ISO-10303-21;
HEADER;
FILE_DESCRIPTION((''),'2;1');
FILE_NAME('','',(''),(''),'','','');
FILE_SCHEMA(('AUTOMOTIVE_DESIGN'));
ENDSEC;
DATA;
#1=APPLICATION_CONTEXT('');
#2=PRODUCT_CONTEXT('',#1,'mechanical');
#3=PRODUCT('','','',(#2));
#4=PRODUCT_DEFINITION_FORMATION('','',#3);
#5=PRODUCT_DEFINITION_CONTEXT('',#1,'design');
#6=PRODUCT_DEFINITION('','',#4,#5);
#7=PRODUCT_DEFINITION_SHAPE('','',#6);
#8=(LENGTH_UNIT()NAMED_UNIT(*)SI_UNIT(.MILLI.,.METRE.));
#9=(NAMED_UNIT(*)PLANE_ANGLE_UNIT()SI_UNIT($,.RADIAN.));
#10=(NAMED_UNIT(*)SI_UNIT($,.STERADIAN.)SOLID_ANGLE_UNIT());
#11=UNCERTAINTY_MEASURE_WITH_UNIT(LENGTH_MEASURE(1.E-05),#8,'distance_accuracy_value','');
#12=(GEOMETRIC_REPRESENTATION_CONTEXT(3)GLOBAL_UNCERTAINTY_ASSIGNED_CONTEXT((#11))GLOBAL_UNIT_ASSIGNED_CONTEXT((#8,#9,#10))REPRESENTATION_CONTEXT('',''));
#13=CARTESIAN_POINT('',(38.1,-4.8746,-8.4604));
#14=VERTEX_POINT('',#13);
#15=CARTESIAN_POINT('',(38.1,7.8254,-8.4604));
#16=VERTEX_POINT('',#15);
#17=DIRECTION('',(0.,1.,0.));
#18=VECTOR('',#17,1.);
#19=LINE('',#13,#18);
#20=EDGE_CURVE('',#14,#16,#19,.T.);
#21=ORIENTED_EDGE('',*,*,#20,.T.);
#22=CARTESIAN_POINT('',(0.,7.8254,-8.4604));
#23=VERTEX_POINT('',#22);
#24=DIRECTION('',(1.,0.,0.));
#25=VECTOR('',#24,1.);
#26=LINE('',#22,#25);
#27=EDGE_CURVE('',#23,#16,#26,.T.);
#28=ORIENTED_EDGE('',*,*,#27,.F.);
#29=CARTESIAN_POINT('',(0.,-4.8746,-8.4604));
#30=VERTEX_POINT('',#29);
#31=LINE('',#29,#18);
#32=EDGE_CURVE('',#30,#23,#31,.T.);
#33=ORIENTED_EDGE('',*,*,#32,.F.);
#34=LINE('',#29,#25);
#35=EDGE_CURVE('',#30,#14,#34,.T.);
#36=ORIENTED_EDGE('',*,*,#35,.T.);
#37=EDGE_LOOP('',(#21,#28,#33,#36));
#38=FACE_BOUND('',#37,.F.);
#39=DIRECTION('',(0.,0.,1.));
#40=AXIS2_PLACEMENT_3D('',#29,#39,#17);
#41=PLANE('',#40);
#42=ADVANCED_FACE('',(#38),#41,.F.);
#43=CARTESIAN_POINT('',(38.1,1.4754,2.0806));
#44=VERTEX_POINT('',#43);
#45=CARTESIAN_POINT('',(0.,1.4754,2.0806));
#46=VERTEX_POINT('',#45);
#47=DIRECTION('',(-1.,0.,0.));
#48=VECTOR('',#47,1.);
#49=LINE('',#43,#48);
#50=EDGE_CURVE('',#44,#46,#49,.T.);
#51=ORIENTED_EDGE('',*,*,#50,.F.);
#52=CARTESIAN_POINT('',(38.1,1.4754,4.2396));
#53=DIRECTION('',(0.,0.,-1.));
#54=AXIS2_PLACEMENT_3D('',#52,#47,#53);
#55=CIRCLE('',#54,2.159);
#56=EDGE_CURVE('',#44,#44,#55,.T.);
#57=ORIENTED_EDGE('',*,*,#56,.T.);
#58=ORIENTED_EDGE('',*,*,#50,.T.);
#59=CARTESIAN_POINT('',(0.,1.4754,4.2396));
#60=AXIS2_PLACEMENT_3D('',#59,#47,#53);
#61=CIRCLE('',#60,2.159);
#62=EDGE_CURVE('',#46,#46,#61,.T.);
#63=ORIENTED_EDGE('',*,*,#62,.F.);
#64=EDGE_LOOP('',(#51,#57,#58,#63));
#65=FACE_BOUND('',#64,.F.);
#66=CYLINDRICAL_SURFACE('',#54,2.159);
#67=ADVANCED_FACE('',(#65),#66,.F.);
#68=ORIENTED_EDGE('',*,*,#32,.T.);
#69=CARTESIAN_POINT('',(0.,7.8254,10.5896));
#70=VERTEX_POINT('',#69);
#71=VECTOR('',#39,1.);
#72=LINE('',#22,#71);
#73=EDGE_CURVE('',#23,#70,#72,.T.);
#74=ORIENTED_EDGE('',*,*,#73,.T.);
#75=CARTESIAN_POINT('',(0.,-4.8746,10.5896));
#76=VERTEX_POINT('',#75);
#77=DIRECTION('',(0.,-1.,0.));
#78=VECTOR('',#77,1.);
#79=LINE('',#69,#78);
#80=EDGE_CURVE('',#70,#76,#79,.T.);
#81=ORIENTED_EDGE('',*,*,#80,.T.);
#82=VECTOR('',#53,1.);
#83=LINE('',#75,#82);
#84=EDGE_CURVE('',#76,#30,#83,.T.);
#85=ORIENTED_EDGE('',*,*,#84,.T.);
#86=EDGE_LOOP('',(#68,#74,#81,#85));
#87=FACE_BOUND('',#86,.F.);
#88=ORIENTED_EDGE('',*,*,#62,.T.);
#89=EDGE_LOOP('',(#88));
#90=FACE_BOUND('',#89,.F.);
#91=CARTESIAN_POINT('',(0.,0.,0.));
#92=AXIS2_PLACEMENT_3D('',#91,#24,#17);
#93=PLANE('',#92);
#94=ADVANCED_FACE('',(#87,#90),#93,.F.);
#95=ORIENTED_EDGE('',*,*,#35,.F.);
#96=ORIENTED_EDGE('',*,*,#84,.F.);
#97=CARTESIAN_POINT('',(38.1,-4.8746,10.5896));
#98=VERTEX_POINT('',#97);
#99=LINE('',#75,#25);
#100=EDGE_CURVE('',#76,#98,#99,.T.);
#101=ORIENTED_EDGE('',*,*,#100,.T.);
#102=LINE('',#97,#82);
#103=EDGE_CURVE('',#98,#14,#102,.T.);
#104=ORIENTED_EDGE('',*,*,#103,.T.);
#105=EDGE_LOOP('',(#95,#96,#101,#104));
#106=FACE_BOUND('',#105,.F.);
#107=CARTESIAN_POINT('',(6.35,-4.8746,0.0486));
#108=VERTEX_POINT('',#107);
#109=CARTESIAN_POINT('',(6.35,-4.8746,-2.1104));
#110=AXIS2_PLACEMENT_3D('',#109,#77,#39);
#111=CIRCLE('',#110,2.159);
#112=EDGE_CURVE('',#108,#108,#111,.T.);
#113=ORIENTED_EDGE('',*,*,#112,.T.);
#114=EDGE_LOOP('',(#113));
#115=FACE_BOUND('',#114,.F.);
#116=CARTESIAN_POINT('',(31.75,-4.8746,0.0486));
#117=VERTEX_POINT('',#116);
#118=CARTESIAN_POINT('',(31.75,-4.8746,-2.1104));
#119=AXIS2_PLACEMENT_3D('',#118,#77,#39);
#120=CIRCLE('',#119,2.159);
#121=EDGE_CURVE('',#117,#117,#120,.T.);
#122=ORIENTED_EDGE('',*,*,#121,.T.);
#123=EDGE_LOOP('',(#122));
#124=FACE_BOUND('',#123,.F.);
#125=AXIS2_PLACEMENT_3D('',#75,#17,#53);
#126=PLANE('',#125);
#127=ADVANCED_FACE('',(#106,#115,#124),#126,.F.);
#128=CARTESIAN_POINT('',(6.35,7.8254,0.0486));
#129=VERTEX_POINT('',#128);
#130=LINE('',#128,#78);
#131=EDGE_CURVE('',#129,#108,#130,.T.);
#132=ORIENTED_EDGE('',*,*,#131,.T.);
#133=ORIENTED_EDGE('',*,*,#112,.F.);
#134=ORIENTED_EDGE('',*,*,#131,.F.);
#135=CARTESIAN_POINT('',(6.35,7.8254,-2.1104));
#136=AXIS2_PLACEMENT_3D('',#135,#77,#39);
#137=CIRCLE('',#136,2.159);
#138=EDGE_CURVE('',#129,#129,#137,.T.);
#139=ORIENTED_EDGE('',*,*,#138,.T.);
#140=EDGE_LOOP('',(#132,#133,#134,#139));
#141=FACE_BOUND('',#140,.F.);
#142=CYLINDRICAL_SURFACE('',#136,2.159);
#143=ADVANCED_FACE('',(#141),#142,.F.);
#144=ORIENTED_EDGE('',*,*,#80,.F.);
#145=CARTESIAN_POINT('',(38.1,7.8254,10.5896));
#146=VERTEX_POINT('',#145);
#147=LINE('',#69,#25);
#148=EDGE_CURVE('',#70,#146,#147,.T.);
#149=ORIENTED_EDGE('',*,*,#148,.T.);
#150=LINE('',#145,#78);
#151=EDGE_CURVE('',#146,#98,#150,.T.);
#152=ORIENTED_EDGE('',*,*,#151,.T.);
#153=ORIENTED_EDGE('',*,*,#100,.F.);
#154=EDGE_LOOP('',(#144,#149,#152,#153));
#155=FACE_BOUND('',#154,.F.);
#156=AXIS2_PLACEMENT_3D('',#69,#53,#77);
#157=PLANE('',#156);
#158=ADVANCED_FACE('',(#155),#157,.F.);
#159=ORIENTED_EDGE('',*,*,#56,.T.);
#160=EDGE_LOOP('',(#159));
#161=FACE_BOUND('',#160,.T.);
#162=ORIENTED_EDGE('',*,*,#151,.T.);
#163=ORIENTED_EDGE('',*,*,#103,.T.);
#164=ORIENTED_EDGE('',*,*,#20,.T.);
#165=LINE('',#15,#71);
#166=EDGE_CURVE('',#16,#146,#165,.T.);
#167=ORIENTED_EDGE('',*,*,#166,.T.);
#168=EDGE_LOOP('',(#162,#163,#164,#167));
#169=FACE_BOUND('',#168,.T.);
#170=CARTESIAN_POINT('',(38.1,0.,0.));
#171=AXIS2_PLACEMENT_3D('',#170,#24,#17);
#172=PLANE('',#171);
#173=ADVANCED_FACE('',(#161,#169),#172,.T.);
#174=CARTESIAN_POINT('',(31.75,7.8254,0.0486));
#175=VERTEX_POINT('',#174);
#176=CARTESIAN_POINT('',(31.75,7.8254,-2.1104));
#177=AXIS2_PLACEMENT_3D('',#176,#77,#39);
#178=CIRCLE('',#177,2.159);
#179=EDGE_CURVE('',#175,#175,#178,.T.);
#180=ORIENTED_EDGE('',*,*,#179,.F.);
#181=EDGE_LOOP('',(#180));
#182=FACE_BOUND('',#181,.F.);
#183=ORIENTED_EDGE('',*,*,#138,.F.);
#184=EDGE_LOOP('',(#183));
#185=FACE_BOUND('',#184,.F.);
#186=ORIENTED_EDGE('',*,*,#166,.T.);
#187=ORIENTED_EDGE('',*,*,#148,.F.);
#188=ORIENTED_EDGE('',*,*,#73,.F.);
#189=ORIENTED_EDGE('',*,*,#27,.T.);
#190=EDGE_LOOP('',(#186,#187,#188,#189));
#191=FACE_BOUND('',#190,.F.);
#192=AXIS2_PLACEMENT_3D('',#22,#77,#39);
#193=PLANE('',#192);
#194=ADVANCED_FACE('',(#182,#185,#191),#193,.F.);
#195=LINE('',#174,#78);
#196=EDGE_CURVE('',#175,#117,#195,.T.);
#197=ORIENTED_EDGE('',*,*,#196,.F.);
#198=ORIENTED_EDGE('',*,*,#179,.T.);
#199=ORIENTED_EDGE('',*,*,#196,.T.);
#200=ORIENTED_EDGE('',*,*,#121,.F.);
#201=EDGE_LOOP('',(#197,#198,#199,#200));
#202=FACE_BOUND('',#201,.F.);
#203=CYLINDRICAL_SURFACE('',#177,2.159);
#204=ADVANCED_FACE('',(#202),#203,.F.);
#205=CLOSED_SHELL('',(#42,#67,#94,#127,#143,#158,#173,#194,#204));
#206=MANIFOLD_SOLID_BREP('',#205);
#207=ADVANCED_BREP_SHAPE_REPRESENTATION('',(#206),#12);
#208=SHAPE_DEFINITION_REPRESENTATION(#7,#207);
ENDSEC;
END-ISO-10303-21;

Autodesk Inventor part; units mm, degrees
ref_plane "YZ Plane" through (0, 0, 0) normal (1, 0, 0) x (0, 1, 0)
ref_plane "XZ Plane" through (0, 0, 0) normal (0, 1, 0) x (-1, 0, 0)
ref_plane "XY Plane" through (0, 0, 0) normal (0, 0, 1) x (1, 0, 0)
sketch "Sketch1" plane through (0, 0, 0) normal (1, 0, 0) x (0, 1, 0)
  line L0 (7.8254, 10.5896) -> (-4.8746, 10.5896)
  line L1 (-4.8746, 10.5896) -> (-4.8746, -8.4604)
  line L2 (-4.8746, -8.4604) -> (7.8254, -8.4604)
  line L3 (7.8254, -8.4604) -> (7.8254, 10.5896)
  point P0 (0, 0)
  dimension "d0" = 19.05
  dimension "d1" = 12.7
extrude "Extrusion1" add sketch "Sketch1" along normal blind 38.1
sketch "Sketch2" plane through (38.1, 0, 0) normal (1, 0, 0) x (0, 0, -1)
  line L0 (-10.5896, 7.8254) -> (-10.5896, -4.8746) projected
  line L1 (8.4604, 7.8254) -> (-10.5896, 7.8254) projected
  point P0 (0, 0)
  point P1 (-4.2396, 1.4754)
  dimension "d4" = 6.35
  dimension "d5" = 6.35
hole "Hole1" at (38.1, 1.4754, 4.2396) direction (-1, 0, 0) diameter 4.318 end through all
sketch "Sketch3" plane through (0, 7.8254, 10.5896) normal (0, 1, 0) x (1, 0, 0)
  line L0 (38.1, 19.05) -> (38.1, 0) projected
  line L1 (0, 19.05) -> (0, 0) projected
  line L2 (0, 19.05) -> (38.1, 19.05) projected
  point P0 (0, 10.5896)
  point P1 (6.35, 12.7)
  point P2 (31.75, 12.7)
  dimension "d13" = 6.35
  dimension "d14" = 6.35
  dimension "d15" = 6.35
  dimension "d16" = 0
hole "Hole2" at (6.35, 7.8254, -2.1104) at (31.75, 7.8254, -2.1104) direction (0, -1, 0) diameter 4.318 end through all
properties part number "MotorSpacerBlock2"
